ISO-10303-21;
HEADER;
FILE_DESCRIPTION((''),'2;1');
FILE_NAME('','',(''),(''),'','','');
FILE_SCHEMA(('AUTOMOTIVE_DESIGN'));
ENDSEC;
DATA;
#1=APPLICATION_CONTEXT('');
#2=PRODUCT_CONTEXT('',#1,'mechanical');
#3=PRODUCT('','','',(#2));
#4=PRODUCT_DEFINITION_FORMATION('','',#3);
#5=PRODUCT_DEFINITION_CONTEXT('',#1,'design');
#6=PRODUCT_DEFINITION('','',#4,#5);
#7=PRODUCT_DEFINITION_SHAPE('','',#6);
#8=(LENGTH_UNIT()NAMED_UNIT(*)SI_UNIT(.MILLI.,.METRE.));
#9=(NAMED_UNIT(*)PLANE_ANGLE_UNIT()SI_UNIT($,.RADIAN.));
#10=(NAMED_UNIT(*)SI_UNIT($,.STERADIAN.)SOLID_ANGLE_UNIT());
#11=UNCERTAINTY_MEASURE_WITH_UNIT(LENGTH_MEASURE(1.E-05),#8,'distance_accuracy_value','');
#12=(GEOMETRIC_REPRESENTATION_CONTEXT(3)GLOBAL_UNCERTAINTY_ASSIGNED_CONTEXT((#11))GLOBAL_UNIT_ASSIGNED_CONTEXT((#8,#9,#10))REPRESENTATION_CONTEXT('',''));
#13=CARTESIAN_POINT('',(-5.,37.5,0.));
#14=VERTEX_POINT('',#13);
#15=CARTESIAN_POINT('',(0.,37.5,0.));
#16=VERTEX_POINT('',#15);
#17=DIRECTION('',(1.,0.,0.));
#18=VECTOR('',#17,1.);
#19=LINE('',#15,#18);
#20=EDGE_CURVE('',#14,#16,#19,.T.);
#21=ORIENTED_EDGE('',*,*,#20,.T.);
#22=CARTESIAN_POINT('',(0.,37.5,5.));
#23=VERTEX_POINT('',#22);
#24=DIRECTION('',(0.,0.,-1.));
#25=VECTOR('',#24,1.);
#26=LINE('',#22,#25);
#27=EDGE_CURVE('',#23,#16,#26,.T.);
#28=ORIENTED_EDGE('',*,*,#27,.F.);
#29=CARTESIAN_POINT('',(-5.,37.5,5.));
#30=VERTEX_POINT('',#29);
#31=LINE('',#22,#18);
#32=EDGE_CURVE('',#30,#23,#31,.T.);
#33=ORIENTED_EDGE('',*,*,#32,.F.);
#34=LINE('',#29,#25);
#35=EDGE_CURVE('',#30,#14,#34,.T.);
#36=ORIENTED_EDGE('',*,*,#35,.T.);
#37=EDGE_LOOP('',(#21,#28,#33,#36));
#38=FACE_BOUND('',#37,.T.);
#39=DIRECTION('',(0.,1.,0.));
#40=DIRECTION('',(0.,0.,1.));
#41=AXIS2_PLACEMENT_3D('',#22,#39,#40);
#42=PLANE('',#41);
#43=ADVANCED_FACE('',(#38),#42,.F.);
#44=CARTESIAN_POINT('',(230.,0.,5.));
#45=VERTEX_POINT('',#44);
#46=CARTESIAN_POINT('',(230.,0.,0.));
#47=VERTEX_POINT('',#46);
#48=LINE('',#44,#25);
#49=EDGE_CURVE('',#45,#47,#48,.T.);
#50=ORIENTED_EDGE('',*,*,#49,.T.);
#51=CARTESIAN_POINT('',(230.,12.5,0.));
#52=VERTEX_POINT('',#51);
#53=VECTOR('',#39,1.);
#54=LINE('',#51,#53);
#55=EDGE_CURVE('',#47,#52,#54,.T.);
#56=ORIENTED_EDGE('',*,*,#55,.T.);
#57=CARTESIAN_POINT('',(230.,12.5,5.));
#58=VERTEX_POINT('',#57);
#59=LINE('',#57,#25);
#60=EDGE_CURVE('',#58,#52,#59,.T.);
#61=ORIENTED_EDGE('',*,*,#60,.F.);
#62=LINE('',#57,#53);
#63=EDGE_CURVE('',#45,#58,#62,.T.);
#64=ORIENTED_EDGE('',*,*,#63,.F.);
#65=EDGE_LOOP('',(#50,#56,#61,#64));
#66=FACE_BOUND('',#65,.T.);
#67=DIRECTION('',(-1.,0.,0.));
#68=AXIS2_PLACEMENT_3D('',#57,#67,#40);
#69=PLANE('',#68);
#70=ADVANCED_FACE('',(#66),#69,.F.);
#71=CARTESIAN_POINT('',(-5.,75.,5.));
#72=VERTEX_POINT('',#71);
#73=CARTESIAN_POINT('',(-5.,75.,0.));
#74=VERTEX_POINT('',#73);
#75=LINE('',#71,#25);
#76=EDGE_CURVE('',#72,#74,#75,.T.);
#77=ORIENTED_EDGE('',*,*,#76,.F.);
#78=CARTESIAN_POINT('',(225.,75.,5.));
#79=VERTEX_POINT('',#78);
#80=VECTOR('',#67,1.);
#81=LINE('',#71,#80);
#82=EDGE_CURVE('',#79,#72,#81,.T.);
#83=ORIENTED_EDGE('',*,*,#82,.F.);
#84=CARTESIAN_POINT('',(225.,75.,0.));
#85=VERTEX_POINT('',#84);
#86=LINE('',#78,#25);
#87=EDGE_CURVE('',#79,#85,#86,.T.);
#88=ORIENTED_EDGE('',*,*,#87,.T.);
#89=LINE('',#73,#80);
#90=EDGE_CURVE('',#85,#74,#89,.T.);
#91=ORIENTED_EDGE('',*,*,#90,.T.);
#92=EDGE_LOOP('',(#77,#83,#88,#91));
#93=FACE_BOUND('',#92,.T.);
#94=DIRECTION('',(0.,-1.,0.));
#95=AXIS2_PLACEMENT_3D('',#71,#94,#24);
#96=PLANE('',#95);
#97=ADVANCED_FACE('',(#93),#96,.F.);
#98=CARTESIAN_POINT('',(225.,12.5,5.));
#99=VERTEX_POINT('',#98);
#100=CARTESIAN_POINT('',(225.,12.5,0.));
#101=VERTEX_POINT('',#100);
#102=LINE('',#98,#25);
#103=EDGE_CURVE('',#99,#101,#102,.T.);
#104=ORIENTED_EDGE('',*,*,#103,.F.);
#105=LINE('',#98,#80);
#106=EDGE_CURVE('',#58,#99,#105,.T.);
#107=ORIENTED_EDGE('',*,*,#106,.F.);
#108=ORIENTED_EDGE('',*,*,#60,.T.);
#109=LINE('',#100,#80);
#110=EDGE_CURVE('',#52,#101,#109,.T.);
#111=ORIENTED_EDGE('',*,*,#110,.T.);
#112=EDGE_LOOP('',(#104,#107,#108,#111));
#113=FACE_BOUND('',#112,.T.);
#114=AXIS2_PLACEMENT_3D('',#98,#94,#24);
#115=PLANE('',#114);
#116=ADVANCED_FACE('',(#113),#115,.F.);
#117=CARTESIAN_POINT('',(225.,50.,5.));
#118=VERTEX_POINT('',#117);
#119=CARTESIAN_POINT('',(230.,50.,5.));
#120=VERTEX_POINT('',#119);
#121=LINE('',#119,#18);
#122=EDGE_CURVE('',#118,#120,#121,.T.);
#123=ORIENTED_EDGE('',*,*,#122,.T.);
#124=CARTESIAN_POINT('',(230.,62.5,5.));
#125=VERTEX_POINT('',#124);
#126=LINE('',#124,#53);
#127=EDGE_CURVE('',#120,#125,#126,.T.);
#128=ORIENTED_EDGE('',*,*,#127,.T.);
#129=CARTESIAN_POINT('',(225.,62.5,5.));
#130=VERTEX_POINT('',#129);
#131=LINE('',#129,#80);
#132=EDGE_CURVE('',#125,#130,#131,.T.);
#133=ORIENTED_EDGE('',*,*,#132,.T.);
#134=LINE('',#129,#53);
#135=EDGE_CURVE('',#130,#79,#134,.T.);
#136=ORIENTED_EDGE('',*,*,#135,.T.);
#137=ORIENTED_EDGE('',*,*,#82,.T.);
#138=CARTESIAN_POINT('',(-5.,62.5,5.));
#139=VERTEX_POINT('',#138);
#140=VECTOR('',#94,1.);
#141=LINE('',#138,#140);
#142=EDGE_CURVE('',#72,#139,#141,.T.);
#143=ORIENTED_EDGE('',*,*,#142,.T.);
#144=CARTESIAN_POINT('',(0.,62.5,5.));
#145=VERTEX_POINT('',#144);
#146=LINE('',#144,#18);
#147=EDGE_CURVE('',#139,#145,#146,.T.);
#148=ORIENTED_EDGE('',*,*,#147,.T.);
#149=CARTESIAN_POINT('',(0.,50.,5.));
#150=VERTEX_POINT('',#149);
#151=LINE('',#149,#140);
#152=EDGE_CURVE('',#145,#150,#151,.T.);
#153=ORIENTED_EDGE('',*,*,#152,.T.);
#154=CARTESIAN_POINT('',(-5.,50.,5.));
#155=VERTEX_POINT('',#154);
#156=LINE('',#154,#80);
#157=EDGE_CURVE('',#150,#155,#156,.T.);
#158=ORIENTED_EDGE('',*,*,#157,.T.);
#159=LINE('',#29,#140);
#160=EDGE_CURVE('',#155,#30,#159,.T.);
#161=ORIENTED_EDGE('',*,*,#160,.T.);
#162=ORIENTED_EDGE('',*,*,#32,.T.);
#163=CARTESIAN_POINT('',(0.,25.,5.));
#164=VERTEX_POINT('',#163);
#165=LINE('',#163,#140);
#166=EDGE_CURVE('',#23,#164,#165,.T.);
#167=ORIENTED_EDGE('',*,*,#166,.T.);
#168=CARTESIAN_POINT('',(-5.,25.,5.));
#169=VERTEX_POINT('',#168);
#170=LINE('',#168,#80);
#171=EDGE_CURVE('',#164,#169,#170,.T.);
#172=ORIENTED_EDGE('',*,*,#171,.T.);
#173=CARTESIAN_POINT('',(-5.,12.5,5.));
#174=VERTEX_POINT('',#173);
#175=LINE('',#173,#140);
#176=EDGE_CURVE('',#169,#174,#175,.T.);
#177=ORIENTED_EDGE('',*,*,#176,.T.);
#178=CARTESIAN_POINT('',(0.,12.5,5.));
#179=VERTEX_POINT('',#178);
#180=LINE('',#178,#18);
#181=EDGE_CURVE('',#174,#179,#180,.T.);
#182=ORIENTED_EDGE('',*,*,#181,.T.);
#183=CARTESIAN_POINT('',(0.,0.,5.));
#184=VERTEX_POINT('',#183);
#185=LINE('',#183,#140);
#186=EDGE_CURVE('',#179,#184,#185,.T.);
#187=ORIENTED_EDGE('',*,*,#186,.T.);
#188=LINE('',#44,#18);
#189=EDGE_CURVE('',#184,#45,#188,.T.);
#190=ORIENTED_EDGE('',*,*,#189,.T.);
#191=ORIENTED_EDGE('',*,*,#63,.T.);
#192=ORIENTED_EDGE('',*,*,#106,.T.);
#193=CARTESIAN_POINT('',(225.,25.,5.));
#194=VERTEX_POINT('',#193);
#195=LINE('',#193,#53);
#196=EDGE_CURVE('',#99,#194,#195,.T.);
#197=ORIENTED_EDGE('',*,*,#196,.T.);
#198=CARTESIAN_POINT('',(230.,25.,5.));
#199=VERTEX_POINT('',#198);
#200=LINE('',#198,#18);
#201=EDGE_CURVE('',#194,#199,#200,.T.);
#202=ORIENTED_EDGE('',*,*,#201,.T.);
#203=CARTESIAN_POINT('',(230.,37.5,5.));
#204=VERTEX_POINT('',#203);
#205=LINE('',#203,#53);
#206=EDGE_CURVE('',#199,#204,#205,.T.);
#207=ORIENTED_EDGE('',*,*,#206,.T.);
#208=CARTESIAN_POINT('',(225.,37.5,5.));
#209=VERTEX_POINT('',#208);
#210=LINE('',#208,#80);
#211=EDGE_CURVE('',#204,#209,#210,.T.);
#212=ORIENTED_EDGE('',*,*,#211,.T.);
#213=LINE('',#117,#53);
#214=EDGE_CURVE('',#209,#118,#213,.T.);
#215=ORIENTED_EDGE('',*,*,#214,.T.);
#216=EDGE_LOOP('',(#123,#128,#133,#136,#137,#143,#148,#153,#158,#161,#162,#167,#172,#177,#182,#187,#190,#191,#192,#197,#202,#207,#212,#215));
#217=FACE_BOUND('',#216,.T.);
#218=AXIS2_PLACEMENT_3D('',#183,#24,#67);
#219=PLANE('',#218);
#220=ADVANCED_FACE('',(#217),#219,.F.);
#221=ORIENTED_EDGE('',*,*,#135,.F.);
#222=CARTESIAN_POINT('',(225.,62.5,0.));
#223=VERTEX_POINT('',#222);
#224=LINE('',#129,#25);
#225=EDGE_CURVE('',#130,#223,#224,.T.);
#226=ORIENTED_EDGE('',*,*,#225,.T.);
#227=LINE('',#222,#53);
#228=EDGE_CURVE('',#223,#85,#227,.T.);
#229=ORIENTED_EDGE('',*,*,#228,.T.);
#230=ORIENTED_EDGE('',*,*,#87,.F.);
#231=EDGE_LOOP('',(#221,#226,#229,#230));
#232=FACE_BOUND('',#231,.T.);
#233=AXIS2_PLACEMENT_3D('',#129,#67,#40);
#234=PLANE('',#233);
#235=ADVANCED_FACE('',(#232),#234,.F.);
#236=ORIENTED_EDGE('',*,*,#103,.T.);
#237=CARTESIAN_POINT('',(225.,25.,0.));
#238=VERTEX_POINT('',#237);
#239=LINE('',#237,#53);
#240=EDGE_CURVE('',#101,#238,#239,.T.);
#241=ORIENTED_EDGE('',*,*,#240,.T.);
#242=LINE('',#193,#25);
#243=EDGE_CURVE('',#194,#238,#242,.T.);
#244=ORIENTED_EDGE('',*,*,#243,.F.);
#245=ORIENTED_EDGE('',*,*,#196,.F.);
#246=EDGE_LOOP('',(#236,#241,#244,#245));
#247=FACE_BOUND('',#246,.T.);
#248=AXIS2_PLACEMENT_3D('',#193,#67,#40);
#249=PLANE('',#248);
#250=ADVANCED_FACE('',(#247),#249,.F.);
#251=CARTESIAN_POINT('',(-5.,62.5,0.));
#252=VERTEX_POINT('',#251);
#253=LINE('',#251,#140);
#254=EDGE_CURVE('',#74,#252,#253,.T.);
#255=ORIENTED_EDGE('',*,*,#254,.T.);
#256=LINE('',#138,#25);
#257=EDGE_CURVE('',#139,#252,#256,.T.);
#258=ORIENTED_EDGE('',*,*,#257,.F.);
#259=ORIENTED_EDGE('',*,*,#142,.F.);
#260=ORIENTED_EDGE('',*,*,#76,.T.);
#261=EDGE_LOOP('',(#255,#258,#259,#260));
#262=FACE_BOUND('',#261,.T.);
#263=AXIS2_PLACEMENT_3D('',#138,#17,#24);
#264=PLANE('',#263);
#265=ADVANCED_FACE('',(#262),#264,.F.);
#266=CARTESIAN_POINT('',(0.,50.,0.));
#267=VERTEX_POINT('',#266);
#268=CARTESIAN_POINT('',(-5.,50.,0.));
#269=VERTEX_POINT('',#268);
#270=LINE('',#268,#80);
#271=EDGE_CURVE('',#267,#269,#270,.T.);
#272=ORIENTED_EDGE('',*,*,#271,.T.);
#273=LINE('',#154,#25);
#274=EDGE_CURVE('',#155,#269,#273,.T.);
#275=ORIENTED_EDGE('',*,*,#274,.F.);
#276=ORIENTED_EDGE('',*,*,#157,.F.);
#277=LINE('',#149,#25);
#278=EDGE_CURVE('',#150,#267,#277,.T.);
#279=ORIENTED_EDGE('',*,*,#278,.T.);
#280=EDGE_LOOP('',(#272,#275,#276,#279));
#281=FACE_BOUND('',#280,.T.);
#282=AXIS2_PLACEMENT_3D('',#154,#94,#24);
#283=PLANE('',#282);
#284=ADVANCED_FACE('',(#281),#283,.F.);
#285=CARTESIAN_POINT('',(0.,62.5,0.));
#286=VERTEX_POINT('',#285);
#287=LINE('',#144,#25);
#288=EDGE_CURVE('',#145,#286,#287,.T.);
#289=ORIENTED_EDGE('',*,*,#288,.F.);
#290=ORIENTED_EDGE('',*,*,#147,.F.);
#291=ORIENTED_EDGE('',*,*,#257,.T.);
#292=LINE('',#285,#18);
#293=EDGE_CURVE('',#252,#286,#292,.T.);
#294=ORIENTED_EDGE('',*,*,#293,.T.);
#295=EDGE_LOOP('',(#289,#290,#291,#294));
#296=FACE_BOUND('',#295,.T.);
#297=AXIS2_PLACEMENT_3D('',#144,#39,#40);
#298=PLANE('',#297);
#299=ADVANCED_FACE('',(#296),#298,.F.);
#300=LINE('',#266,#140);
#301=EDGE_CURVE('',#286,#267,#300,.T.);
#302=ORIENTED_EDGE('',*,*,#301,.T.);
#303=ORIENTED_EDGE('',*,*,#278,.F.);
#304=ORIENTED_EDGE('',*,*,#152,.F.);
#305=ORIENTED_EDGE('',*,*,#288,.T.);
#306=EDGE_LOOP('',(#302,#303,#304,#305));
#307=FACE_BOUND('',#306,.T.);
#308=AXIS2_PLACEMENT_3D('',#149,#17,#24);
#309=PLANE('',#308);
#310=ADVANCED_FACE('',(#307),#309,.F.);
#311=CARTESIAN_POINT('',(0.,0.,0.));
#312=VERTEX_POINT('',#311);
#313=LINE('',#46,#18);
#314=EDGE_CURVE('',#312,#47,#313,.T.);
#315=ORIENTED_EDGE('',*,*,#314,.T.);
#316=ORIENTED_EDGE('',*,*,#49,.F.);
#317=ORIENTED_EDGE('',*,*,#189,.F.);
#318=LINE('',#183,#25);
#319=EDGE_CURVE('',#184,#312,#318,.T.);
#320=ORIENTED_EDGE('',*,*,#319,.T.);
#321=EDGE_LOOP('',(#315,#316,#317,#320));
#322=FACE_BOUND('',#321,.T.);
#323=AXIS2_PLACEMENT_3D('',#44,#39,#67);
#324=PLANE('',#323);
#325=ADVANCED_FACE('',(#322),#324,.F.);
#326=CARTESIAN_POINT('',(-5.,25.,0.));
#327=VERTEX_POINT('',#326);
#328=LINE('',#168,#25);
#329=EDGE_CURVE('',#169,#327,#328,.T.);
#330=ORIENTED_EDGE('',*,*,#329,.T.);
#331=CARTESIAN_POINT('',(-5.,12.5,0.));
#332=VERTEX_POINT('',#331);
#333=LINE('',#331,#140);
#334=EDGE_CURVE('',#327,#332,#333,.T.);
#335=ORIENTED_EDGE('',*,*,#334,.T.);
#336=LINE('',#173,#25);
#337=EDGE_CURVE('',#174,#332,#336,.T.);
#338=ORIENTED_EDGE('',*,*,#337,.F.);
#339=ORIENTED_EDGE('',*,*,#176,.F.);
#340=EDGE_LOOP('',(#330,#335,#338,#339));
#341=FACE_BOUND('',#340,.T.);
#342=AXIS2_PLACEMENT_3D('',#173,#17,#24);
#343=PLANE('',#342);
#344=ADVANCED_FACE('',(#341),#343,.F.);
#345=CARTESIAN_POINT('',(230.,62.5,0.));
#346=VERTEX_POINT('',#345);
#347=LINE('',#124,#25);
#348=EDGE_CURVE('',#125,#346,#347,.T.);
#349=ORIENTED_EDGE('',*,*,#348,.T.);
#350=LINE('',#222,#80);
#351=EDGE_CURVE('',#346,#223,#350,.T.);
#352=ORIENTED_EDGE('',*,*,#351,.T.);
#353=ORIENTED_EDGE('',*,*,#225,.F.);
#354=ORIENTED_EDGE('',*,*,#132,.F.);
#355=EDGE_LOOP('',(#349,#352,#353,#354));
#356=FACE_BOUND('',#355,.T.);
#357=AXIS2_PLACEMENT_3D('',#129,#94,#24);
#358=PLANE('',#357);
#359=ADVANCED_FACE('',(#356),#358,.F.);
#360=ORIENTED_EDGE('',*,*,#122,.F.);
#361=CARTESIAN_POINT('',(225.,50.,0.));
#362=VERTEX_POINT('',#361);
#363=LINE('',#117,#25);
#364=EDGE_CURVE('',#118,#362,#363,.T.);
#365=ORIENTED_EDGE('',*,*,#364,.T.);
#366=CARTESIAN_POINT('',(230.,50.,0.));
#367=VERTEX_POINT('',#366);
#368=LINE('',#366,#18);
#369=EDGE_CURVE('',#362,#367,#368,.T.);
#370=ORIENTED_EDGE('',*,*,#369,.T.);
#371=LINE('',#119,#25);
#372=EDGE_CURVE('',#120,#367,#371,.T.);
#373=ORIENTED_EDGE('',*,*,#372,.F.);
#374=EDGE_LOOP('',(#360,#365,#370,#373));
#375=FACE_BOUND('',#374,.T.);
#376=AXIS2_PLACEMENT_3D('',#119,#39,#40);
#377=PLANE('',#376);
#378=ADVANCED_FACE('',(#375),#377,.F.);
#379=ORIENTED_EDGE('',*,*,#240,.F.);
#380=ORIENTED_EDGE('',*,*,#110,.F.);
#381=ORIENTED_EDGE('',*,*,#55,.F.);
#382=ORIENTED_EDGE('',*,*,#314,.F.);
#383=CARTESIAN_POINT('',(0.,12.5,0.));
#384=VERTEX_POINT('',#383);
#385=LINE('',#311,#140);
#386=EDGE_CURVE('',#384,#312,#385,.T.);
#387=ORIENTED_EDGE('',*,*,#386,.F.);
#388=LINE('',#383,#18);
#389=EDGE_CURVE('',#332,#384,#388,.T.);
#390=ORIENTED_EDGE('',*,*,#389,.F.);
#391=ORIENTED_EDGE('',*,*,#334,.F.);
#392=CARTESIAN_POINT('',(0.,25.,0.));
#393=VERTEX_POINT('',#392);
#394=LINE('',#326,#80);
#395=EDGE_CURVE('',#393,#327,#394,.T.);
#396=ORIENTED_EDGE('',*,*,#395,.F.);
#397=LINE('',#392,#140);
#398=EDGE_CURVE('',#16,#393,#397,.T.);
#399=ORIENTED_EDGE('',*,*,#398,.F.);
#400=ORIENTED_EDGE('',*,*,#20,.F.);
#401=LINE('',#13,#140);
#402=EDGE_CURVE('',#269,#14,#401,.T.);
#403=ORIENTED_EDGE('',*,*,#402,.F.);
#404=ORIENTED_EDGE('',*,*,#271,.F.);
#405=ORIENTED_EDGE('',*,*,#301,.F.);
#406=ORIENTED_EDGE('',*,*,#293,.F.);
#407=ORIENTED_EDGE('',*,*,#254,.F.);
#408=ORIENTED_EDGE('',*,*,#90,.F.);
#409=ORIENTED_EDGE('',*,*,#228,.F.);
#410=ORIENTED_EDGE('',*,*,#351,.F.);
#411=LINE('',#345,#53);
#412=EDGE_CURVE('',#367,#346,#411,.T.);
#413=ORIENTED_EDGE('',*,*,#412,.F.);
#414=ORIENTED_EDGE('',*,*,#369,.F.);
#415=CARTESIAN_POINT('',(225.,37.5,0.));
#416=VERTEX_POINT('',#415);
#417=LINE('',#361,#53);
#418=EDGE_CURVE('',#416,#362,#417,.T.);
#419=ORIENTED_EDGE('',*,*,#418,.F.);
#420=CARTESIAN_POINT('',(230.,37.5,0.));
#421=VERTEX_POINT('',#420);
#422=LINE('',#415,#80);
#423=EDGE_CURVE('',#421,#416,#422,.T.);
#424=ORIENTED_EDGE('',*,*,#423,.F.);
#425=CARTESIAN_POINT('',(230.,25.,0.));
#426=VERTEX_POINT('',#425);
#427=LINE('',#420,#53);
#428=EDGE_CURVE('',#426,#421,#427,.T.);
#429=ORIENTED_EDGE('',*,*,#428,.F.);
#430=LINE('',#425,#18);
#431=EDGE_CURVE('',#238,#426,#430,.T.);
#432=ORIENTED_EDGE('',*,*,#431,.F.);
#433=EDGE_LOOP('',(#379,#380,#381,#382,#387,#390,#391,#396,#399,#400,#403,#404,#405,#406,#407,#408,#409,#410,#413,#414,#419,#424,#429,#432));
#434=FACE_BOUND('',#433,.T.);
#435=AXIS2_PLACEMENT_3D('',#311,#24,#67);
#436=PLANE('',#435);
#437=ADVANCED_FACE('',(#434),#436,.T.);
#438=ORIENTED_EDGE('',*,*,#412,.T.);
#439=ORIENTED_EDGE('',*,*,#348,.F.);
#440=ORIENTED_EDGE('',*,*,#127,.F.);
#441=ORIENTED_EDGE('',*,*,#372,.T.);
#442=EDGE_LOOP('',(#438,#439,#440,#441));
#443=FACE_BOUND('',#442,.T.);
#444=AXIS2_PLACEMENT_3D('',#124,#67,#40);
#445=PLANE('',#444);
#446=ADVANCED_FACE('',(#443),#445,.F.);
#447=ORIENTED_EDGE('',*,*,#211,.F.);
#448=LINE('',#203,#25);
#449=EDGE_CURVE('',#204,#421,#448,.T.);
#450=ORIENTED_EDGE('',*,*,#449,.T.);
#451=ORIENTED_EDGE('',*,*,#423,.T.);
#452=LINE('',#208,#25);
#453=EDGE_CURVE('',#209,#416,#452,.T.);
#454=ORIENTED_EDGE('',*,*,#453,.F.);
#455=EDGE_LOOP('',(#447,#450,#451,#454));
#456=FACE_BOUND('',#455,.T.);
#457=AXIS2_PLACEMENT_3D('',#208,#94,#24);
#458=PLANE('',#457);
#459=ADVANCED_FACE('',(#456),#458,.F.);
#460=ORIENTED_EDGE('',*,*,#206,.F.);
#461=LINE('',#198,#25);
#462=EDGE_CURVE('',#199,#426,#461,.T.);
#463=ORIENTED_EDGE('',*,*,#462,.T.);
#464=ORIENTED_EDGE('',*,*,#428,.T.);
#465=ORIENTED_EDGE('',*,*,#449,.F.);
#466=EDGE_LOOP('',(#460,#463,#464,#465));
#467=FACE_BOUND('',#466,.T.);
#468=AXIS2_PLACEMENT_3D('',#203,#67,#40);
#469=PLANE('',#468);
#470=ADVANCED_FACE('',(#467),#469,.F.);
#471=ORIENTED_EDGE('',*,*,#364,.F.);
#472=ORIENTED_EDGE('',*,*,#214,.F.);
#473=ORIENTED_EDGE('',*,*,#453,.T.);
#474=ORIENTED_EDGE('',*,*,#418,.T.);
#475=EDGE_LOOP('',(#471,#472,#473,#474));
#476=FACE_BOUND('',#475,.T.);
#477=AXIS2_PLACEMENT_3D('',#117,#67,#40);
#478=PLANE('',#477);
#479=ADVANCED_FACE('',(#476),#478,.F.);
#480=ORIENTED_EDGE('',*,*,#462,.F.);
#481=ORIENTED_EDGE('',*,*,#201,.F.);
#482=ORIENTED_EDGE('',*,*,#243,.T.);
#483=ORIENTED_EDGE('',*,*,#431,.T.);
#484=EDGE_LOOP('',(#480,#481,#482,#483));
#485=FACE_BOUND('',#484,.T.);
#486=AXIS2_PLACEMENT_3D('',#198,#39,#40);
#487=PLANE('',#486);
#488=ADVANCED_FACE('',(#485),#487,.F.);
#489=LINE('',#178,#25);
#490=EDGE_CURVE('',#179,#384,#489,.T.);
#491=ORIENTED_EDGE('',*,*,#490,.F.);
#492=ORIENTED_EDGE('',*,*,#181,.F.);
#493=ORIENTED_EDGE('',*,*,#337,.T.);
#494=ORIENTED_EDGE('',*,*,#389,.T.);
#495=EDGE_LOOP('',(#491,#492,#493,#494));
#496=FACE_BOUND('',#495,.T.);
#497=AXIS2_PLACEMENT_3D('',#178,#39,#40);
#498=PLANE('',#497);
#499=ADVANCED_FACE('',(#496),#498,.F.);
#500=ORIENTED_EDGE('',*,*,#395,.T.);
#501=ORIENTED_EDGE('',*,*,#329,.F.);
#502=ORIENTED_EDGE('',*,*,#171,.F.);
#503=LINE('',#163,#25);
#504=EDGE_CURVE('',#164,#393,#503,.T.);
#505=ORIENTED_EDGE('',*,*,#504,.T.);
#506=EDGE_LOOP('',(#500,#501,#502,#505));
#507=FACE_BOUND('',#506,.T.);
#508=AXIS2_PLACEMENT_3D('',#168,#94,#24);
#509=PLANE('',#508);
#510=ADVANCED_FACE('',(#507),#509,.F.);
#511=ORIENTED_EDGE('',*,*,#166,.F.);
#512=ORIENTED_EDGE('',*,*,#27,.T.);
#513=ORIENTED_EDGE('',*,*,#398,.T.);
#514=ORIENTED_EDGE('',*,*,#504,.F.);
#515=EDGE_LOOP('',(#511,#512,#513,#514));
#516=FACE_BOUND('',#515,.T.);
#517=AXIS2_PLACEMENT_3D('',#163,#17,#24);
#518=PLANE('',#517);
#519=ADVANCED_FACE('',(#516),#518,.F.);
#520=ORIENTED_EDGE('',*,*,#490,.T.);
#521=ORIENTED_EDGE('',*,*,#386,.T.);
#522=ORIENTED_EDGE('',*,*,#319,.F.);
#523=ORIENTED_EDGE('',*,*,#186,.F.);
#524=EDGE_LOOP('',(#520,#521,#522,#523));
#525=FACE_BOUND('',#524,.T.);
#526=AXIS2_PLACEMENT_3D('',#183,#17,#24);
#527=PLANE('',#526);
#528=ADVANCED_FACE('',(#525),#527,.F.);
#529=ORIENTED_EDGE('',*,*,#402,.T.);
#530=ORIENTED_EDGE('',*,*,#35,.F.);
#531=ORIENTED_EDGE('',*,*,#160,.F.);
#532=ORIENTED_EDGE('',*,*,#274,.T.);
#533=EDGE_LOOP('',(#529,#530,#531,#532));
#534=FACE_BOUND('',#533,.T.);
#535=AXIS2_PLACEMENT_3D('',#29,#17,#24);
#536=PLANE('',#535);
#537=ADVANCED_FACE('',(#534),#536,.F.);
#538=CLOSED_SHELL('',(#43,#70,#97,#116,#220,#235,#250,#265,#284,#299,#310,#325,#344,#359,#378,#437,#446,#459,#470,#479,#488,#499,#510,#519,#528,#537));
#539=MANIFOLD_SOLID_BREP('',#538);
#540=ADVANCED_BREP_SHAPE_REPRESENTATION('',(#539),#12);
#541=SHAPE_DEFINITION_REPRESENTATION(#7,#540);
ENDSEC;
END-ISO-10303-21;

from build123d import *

# Parameters (mm, degrees)
EXTRUDE_1_DEPTH = 5


with BuildPart() as part:
    # Эскиз1 → Бобышка-Вытянуть1 (new body)
    with BuildSketch(Plane.XY):
        Polygon((0, 0), (0, 12.5), (-5, 12.5), (-5, 25), (0, 25), (0, 37.5), (-5, 37.5), (-5, 50), (0, 50), (0, 62.5), (-5, 62.5), (-5, 75), (225, 75), (225, 62.5), (230, 62.5), (230, 50), (225, 50), (225, 37.5), (230, 37.5), (230, 25), (225, 25), (225, 12.5), (230, 12.5), (230, 0), align=None)
    extrude(amount=EXTRUDE_1_DEPTH)


solid = part.part
